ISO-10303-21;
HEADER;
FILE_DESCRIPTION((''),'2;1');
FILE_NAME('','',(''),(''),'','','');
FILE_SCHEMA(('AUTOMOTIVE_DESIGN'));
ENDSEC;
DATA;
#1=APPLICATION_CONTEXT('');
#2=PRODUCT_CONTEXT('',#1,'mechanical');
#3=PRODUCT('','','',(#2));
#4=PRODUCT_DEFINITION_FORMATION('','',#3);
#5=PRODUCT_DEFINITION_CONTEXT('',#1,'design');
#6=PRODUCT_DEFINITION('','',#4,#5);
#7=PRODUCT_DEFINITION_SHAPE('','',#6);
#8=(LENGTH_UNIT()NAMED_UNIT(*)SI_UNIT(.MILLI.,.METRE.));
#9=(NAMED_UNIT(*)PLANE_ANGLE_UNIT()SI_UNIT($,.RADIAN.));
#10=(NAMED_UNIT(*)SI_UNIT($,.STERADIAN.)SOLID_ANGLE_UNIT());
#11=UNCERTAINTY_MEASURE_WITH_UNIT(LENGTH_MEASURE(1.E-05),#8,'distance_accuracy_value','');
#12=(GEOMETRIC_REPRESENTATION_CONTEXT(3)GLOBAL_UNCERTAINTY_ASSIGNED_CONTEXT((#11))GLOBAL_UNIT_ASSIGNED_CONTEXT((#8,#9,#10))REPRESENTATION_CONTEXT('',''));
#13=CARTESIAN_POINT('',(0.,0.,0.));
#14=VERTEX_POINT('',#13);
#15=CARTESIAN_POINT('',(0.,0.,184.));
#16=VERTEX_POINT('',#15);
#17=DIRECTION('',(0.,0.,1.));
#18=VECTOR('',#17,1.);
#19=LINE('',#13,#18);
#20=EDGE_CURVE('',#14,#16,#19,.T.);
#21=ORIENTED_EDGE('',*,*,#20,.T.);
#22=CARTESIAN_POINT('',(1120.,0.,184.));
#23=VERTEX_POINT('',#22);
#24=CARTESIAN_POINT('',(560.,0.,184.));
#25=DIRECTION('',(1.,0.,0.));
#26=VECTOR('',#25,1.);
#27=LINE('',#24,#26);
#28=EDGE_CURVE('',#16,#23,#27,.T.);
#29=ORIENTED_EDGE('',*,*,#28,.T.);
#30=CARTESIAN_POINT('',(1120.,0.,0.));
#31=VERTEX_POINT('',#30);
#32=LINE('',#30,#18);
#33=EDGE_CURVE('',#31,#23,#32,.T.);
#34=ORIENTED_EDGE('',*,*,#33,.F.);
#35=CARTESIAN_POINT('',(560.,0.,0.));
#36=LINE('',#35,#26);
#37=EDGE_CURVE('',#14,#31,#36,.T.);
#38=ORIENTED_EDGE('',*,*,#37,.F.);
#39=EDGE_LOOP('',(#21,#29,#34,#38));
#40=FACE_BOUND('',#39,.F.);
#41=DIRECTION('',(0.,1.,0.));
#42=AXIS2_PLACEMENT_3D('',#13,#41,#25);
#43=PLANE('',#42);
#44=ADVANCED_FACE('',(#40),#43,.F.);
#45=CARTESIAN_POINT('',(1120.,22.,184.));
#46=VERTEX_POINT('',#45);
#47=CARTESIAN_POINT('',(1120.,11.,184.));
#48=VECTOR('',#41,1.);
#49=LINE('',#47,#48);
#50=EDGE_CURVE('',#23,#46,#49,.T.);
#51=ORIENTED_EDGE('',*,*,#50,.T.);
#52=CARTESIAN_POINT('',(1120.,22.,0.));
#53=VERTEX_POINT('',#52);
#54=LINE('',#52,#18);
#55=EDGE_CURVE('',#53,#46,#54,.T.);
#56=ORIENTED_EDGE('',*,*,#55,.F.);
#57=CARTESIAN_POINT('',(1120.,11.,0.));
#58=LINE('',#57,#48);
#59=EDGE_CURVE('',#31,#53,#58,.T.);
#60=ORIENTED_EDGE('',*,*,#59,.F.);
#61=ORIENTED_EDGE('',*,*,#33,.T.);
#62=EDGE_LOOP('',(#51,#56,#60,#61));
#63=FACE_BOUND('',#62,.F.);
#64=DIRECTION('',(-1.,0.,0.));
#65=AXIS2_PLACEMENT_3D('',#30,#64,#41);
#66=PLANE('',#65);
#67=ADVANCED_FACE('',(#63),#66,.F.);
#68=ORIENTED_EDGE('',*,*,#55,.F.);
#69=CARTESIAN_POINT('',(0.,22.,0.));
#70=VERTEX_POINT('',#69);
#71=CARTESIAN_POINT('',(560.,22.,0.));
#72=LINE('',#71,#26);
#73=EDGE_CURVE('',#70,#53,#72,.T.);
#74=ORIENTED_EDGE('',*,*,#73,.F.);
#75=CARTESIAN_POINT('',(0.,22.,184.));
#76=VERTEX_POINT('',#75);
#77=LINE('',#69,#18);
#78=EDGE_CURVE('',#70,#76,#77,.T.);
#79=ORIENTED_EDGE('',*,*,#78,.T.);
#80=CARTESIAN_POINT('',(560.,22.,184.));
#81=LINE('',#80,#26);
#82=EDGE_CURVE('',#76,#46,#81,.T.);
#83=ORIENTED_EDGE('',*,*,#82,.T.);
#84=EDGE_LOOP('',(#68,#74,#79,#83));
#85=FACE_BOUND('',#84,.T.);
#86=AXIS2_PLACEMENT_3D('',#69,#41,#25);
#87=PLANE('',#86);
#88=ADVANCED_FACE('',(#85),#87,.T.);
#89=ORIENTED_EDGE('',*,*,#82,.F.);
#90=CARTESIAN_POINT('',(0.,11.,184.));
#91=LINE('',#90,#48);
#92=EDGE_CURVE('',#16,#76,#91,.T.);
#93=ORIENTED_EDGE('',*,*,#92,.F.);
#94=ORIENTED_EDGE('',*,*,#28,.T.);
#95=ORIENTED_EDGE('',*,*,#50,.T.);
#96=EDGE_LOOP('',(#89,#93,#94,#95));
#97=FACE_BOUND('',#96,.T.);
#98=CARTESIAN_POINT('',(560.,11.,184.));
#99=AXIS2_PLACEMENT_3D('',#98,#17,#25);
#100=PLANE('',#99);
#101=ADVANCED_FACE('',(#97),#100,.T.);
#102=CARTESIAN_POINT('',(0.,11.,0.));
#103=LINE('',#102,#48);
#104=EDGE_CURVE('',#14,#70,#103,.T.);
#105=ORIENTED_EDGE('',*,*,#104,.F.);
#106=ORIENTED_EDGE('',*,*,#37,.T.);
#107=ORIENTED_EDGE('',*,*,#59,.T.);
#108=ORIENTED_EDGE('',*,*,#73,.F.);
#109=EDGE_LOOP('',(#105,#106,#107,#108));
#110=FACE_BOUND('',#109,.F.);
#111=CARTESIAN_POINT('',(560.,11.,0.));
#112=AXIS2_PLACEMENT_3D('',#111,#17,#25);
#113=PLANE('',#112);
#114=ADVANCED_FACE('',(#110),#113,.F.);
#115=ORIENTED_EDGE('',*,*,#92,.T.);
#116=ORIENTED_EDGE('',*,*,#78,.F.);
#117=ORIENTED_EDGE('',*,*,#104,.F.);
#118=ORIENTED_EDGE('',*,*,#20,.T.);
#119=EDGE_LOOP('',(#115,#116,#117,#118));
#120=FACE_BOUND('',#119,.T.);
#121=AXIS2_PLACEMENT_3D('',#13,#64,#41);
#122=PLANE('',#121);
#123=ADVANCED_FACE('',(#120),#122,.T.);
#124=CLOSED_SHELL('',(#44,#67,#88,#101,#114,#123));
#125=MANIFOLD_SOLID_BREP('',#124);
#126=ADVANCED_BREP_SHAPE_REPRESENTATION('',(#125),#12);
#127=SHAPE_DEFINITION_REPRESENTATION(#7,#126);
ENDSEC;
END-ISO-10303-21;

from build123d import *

# Parameters (mm, degrees)
BOX_W     = 1120
BOX_H     = 22
BOX_DEPTH = 184


with BuildPart() as part:
    # Box → Box (new body)
    with BuildSketch(Plane.XY):
        with Locations((560, 11)):
            Rectangle(BOX_W, BOX_H)
    extrude(amount=BOX_DEPTH)


solid = part.part
